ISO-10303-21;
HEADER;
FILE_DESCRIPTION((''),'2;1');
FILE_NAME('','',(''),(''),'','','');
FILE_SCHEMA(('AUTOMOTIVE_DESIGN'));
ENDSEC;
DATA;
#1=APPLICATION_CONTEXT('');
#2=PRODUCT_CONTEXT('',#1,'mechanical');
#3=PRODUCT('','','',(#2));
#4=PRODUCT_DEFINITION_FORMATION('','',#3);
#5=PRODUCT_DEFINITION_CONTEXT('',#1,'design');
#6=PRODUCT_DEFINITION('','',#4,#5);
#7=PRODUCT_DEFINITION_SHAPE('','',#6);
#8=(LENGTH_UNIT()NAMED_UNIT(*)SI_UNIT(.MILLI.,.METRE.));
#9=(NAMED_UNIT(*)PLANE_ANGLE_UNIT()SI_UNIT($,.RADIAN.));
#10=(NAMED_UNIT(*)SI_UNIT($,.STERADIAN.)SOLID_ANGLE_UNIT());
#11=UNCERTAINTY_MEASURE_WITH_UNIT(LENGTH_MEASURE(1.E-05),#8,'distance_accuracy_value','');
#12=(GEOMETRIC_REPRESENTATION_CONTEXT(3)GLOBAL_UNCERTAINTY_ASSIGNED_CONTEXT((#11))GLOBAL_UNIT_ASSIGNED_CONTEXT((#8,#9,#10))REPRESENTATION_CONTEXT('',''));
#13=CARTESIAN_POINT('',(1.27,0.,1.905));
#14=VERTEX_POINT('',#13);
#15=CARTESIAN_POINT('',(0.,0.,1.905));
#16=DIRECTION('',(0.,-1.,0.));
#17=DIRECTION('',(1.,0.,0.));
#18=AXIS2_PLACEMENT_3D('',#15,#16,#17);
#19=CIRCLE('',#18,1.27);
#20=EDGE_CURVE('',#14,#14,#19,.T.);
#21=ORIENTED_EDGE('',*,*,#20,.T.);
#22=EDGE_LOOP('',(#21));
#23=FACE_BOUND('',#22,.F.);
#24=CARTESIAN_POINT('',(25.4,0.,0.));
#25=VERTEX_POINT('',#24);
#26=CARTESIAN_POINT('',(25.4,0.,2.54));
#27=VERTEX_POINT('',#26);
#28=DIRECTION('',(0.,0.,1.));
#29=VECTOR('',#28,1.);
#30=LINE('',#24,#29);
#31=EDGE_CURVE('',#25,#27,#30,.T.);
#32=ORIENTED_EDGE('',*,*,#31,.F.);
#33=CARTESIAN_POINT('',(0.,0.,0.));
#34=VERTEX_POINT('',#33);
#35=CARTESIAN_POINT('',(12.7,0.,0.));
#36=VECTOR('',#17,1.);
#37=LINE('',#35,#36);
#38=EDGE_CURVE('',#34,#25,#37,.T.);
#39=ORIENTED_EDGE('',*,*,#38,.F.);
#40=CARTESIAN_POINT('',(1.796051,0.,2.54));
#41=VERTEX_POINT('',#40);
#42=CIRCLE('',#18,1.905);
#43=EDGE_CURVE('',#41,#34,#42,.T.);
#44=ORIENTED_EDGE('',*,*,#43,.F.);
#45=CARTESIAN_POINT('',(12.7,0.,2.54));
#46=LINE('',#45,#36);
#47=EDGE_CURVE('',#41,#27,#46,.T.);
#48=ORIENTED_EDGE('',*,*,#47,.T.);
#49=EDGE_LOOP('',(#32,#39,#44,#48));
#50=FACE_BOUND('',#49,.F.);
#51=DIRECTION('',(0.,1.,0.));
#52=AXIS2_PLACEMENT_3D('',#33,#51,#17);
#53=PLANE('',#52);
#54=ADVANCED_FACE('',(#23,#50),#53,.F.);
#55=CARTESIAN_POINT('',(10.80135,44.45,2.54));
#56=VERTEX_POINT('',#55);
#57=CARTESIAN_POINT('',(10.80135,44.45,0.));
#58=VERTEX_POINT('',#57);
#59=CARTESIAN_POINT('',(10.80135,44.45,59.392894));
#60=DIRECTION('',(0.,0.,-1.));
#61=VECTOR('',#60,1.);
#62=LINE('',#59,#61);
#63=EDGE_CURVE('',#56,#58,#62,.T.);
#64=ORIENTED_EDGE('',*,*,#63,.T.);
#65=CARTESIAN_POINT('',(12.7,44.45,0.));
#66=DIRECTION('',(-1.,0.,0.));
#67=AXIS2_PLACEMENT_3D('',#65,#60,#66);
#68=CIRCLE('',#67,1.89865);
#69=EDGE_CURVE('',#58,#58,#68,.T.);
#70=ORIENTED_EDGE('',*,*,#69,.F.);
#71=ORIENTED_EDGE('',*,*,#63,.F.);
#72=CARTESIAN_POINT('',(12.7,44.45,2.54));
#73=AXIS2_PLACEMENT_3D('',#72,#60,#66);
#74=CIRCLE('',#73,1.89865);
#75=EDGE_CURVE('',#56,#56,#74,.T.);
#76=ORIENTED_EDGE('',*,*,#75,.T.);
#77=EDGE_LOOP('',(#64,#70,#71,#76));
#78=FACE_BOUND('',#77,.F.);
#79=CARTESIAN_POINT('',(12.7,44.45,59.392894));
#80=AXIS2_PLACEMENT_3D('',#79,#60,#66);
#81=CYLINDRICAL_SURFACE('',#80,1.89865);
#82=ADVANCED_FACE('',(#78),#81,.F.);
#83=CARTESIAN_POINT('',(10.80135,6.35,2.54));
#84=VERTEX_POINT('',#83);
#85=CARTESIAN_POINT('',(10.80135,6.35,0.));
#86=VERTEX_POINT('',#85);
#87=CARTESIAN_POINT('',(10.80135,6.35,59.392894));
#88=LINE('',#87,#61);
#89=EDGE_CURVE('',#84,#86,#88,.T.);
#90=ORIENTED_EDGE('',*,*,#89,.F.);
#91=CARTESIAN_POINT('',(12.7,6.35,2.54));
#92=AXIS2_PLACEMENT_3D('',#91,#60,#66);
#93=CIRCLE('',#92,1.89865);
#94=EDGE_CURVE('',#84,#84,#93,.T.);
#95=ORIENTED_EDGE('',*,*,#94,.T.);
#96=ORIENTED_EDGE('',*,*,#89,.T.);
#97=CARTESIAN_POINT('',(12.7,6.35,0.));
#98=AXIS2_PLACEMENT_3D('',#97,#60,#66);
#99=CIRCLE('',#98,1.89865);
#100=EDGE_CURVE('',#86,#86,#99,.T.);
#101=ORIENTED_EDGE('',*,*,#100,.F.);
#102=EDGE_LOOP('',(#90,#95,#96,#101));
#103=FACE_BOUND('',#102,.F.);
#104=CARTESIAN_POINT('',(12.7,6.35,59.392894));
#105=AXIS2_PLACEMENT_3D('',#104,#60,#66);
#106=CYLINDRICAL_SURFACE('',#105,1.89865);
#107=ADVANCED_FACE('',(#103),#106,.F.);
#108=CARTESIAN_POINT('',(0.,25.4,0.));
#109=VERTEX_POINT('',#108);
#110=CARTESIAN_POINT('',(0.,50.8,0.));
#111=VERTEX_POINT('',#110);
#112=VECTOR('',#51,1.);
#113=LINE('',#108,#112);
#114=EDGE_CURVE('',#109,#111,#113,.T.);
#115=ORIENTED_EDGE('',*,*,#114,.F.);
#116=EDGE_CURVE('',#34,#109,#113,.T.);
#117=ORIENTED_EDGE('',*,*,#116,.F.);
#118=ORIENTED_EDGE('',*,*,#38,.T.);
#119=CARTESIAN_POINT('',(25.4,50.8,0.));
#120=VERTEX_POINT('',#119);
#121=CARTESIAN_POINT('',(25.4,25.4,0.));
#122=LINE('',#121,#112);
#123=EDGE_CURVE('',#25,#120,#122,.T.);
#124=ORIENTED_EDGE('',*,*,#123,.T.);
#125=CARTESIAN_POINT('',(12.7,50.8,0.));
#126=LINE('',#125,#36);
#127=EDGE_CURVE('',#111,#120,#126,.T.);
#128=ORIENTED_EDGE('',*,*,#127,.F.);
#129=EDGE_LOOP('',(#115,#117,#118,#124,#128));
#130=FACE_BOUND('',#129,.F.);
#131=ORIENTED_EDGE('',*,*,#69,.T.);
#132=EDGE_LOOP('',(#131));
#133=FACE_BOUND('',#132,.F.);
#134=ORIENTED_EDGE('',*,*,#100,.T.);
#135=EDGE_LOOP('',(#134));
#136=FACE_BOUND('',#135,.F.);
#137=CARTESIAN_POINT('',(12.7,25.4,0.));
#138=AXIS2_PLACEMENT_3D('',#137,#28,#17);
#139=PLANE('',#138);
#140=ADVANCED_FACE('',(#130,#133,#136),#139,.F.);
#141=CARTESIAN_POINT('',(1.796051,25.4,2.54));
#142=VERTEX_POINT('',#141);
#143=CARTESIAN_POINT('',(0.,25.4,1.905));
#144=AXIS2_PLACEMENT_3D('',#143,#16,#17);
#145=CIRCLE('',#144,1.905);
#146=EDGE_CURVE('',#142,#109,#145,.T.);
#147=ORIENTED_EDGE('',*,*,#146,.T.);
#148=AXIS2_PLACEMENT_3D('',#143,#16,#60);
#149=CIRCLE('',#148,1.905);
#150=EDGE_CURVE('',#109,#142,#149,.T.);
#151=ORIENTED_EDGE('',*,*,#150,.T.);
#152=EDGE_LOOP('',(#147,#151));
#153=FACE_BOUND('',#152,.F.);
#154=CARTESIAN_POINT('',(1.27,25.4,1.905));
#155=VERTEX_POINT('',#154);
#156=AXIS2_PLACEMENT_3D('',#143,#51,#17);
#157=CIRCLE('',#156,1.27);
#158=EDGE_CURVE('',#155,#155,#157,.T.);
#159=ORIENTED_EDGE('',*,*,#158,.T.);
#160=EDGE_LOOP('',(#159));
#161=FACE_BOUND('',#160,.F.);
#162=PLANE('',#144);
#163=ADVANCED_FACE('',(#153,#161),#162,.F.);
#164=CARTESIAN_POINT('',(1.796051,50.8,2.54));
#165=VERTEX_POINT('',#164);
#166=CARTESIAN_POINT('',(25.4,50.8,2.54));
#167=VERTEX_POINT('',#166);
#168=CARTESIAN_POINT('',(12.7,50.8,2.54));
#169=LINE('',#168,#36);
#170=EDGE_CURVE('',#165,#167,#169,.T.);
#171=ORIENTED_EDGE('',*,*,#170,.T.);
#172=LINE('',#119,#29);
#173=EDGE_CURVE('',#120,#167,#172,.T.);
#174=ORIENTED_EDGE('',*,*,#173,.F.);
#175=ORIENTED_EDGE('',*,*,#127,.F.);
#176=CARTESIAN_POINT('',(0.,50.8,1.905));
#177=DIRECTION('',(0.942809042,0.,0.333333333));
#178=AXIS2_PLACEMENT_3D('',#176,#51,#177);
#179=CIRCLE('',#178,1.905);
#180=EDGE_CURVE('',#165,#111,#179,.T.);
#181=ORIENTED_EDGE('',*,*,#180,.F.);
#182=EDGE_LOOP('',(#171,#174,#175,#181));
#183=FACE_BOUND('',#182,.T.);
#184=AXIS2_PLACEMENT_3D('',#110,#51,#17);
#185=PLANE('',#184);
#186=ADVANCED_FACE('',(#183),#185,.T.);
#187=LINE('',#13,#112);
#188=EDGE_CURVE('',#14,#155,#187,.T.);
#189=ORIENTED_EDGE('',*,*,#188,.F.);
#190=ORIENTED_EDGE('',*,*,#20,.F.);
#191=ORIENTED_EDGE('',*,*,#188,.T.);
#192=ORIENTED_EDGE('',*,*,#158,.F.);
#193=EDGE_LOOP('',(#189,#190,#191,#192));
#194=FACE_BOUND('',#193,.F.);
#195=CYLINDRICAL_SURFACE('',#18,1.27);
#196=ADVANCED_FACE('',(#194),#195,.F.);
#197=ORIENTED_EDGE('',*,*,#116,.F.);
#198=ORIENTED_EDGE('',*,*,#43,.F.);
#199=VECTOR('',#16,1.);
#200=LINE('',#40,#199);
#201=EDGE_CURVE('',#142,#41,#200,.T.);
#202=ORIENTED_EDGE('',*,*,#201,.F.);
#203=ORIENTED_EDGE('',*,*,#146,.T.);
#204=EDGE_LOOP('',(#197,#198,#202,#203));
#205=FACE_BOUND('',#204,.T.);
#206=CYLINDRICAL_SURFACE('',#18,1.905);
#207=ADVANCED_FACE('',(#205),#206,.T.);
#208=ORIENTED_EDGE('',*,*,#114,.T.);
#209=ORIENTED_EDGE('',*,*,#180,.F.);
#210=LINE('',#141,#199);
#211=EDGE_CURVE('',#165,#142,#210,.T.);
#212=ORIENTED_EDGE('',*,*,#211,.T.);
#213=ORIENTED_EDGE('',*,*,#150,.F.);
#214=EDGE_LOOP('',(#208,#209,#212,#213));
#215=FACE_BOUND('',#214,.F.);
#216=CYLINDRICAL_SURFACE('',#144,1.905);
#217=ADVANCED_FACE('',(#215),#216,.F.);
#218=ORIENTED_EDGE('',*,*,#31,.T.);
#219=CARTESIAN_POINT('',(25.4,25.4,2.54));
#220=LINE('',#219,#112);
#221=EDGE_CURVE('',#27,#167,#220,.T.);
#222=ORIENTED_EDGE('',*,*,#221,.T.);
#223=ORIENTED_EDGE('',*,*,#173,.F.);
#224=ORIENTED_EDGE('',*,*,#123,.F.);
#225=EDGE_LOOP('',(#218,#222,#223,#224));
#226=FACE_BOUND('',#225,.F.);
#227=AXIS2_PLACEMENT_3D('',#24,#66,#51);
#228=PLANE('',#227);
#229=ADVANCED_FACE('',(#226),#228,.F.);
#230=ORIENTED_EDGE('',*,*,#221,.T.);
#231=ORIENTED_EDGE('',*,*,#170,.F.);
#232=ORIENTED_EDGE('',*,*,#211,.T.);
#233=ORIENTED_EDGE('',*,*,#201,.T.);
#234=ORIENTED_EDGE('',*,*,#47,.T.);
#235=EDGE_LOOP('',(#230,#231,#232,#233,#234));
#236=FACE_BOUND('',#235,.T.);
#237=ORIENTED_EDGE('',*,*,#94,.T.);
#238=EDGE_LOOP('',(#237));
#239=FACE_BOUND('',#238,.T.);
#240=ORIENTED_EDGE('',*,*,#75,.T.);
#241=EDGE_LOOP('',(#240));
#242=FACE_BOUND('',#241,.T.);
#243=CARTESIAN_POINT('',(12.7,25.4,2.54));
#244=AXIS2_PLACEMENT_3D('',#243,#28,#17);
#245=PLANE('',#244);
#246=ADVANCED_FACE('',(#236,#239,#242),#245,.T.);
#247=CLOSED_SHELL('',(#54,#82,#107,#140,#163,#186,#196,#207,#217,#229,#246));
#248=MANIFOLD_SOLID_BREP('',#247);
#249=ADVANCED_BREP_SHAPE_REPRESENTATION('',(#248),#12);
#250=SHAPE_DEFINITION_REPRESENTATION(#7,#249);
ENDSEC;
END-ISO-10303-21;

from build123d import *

# Parameters (mm, degrees)
F0_W     = 25.4
F0_H     = 50.8
F1_DEPTH = 2.54
F3_D     = 3.7973
F4_R     = 1.905
F5_DEPTH = 25.4
F6_R     = 1.27
F7_DEPTH = 25.4
F8_START = -25.4
F8_DEPTH = 25.4


with BuildPart() as f1:
    # F0 (on Top) → F1 (new body)
    with BuildSketch(Plane.XY):
        with Locations((12.7, 25.4)):
            Rectangle(F0_W, F0_H)
    extrude(amount=F1_DEPTH)

    # F3 (through all)
    with Locations(Plane.XY.offset(2.54)):
        with Locations((12.7, 44.45), (12.7, 6.35)):
            Hole(F3_D / 2)

    # F4 (on face) → F5 (join)
    with BuildSketch(Plane.XZ):
        with Locations((0, 1.905)):
            Circle(F4_R)
    extrude(amount=-F5_DEPTH)

    # F6 (on face) → F7 (cut, through all)
    with BuildSketch(Plane.XZ):
        with Locations((0, 1.905)):
            Circle(F6_R)
    extrude(amount=-F7_DEPTH, mode=Mode.SUBTRACT)

    # F4 (on face) → F8 (cut)
    with BuildSketch(Plane.XZ.offset(F8_START)):
        with Locations((0, 1.905)):
            Circle(F4_R)
    extrude(amount=-F8_DEPTH, mode=Mode.SUBTRACT)


solid = f1.part
